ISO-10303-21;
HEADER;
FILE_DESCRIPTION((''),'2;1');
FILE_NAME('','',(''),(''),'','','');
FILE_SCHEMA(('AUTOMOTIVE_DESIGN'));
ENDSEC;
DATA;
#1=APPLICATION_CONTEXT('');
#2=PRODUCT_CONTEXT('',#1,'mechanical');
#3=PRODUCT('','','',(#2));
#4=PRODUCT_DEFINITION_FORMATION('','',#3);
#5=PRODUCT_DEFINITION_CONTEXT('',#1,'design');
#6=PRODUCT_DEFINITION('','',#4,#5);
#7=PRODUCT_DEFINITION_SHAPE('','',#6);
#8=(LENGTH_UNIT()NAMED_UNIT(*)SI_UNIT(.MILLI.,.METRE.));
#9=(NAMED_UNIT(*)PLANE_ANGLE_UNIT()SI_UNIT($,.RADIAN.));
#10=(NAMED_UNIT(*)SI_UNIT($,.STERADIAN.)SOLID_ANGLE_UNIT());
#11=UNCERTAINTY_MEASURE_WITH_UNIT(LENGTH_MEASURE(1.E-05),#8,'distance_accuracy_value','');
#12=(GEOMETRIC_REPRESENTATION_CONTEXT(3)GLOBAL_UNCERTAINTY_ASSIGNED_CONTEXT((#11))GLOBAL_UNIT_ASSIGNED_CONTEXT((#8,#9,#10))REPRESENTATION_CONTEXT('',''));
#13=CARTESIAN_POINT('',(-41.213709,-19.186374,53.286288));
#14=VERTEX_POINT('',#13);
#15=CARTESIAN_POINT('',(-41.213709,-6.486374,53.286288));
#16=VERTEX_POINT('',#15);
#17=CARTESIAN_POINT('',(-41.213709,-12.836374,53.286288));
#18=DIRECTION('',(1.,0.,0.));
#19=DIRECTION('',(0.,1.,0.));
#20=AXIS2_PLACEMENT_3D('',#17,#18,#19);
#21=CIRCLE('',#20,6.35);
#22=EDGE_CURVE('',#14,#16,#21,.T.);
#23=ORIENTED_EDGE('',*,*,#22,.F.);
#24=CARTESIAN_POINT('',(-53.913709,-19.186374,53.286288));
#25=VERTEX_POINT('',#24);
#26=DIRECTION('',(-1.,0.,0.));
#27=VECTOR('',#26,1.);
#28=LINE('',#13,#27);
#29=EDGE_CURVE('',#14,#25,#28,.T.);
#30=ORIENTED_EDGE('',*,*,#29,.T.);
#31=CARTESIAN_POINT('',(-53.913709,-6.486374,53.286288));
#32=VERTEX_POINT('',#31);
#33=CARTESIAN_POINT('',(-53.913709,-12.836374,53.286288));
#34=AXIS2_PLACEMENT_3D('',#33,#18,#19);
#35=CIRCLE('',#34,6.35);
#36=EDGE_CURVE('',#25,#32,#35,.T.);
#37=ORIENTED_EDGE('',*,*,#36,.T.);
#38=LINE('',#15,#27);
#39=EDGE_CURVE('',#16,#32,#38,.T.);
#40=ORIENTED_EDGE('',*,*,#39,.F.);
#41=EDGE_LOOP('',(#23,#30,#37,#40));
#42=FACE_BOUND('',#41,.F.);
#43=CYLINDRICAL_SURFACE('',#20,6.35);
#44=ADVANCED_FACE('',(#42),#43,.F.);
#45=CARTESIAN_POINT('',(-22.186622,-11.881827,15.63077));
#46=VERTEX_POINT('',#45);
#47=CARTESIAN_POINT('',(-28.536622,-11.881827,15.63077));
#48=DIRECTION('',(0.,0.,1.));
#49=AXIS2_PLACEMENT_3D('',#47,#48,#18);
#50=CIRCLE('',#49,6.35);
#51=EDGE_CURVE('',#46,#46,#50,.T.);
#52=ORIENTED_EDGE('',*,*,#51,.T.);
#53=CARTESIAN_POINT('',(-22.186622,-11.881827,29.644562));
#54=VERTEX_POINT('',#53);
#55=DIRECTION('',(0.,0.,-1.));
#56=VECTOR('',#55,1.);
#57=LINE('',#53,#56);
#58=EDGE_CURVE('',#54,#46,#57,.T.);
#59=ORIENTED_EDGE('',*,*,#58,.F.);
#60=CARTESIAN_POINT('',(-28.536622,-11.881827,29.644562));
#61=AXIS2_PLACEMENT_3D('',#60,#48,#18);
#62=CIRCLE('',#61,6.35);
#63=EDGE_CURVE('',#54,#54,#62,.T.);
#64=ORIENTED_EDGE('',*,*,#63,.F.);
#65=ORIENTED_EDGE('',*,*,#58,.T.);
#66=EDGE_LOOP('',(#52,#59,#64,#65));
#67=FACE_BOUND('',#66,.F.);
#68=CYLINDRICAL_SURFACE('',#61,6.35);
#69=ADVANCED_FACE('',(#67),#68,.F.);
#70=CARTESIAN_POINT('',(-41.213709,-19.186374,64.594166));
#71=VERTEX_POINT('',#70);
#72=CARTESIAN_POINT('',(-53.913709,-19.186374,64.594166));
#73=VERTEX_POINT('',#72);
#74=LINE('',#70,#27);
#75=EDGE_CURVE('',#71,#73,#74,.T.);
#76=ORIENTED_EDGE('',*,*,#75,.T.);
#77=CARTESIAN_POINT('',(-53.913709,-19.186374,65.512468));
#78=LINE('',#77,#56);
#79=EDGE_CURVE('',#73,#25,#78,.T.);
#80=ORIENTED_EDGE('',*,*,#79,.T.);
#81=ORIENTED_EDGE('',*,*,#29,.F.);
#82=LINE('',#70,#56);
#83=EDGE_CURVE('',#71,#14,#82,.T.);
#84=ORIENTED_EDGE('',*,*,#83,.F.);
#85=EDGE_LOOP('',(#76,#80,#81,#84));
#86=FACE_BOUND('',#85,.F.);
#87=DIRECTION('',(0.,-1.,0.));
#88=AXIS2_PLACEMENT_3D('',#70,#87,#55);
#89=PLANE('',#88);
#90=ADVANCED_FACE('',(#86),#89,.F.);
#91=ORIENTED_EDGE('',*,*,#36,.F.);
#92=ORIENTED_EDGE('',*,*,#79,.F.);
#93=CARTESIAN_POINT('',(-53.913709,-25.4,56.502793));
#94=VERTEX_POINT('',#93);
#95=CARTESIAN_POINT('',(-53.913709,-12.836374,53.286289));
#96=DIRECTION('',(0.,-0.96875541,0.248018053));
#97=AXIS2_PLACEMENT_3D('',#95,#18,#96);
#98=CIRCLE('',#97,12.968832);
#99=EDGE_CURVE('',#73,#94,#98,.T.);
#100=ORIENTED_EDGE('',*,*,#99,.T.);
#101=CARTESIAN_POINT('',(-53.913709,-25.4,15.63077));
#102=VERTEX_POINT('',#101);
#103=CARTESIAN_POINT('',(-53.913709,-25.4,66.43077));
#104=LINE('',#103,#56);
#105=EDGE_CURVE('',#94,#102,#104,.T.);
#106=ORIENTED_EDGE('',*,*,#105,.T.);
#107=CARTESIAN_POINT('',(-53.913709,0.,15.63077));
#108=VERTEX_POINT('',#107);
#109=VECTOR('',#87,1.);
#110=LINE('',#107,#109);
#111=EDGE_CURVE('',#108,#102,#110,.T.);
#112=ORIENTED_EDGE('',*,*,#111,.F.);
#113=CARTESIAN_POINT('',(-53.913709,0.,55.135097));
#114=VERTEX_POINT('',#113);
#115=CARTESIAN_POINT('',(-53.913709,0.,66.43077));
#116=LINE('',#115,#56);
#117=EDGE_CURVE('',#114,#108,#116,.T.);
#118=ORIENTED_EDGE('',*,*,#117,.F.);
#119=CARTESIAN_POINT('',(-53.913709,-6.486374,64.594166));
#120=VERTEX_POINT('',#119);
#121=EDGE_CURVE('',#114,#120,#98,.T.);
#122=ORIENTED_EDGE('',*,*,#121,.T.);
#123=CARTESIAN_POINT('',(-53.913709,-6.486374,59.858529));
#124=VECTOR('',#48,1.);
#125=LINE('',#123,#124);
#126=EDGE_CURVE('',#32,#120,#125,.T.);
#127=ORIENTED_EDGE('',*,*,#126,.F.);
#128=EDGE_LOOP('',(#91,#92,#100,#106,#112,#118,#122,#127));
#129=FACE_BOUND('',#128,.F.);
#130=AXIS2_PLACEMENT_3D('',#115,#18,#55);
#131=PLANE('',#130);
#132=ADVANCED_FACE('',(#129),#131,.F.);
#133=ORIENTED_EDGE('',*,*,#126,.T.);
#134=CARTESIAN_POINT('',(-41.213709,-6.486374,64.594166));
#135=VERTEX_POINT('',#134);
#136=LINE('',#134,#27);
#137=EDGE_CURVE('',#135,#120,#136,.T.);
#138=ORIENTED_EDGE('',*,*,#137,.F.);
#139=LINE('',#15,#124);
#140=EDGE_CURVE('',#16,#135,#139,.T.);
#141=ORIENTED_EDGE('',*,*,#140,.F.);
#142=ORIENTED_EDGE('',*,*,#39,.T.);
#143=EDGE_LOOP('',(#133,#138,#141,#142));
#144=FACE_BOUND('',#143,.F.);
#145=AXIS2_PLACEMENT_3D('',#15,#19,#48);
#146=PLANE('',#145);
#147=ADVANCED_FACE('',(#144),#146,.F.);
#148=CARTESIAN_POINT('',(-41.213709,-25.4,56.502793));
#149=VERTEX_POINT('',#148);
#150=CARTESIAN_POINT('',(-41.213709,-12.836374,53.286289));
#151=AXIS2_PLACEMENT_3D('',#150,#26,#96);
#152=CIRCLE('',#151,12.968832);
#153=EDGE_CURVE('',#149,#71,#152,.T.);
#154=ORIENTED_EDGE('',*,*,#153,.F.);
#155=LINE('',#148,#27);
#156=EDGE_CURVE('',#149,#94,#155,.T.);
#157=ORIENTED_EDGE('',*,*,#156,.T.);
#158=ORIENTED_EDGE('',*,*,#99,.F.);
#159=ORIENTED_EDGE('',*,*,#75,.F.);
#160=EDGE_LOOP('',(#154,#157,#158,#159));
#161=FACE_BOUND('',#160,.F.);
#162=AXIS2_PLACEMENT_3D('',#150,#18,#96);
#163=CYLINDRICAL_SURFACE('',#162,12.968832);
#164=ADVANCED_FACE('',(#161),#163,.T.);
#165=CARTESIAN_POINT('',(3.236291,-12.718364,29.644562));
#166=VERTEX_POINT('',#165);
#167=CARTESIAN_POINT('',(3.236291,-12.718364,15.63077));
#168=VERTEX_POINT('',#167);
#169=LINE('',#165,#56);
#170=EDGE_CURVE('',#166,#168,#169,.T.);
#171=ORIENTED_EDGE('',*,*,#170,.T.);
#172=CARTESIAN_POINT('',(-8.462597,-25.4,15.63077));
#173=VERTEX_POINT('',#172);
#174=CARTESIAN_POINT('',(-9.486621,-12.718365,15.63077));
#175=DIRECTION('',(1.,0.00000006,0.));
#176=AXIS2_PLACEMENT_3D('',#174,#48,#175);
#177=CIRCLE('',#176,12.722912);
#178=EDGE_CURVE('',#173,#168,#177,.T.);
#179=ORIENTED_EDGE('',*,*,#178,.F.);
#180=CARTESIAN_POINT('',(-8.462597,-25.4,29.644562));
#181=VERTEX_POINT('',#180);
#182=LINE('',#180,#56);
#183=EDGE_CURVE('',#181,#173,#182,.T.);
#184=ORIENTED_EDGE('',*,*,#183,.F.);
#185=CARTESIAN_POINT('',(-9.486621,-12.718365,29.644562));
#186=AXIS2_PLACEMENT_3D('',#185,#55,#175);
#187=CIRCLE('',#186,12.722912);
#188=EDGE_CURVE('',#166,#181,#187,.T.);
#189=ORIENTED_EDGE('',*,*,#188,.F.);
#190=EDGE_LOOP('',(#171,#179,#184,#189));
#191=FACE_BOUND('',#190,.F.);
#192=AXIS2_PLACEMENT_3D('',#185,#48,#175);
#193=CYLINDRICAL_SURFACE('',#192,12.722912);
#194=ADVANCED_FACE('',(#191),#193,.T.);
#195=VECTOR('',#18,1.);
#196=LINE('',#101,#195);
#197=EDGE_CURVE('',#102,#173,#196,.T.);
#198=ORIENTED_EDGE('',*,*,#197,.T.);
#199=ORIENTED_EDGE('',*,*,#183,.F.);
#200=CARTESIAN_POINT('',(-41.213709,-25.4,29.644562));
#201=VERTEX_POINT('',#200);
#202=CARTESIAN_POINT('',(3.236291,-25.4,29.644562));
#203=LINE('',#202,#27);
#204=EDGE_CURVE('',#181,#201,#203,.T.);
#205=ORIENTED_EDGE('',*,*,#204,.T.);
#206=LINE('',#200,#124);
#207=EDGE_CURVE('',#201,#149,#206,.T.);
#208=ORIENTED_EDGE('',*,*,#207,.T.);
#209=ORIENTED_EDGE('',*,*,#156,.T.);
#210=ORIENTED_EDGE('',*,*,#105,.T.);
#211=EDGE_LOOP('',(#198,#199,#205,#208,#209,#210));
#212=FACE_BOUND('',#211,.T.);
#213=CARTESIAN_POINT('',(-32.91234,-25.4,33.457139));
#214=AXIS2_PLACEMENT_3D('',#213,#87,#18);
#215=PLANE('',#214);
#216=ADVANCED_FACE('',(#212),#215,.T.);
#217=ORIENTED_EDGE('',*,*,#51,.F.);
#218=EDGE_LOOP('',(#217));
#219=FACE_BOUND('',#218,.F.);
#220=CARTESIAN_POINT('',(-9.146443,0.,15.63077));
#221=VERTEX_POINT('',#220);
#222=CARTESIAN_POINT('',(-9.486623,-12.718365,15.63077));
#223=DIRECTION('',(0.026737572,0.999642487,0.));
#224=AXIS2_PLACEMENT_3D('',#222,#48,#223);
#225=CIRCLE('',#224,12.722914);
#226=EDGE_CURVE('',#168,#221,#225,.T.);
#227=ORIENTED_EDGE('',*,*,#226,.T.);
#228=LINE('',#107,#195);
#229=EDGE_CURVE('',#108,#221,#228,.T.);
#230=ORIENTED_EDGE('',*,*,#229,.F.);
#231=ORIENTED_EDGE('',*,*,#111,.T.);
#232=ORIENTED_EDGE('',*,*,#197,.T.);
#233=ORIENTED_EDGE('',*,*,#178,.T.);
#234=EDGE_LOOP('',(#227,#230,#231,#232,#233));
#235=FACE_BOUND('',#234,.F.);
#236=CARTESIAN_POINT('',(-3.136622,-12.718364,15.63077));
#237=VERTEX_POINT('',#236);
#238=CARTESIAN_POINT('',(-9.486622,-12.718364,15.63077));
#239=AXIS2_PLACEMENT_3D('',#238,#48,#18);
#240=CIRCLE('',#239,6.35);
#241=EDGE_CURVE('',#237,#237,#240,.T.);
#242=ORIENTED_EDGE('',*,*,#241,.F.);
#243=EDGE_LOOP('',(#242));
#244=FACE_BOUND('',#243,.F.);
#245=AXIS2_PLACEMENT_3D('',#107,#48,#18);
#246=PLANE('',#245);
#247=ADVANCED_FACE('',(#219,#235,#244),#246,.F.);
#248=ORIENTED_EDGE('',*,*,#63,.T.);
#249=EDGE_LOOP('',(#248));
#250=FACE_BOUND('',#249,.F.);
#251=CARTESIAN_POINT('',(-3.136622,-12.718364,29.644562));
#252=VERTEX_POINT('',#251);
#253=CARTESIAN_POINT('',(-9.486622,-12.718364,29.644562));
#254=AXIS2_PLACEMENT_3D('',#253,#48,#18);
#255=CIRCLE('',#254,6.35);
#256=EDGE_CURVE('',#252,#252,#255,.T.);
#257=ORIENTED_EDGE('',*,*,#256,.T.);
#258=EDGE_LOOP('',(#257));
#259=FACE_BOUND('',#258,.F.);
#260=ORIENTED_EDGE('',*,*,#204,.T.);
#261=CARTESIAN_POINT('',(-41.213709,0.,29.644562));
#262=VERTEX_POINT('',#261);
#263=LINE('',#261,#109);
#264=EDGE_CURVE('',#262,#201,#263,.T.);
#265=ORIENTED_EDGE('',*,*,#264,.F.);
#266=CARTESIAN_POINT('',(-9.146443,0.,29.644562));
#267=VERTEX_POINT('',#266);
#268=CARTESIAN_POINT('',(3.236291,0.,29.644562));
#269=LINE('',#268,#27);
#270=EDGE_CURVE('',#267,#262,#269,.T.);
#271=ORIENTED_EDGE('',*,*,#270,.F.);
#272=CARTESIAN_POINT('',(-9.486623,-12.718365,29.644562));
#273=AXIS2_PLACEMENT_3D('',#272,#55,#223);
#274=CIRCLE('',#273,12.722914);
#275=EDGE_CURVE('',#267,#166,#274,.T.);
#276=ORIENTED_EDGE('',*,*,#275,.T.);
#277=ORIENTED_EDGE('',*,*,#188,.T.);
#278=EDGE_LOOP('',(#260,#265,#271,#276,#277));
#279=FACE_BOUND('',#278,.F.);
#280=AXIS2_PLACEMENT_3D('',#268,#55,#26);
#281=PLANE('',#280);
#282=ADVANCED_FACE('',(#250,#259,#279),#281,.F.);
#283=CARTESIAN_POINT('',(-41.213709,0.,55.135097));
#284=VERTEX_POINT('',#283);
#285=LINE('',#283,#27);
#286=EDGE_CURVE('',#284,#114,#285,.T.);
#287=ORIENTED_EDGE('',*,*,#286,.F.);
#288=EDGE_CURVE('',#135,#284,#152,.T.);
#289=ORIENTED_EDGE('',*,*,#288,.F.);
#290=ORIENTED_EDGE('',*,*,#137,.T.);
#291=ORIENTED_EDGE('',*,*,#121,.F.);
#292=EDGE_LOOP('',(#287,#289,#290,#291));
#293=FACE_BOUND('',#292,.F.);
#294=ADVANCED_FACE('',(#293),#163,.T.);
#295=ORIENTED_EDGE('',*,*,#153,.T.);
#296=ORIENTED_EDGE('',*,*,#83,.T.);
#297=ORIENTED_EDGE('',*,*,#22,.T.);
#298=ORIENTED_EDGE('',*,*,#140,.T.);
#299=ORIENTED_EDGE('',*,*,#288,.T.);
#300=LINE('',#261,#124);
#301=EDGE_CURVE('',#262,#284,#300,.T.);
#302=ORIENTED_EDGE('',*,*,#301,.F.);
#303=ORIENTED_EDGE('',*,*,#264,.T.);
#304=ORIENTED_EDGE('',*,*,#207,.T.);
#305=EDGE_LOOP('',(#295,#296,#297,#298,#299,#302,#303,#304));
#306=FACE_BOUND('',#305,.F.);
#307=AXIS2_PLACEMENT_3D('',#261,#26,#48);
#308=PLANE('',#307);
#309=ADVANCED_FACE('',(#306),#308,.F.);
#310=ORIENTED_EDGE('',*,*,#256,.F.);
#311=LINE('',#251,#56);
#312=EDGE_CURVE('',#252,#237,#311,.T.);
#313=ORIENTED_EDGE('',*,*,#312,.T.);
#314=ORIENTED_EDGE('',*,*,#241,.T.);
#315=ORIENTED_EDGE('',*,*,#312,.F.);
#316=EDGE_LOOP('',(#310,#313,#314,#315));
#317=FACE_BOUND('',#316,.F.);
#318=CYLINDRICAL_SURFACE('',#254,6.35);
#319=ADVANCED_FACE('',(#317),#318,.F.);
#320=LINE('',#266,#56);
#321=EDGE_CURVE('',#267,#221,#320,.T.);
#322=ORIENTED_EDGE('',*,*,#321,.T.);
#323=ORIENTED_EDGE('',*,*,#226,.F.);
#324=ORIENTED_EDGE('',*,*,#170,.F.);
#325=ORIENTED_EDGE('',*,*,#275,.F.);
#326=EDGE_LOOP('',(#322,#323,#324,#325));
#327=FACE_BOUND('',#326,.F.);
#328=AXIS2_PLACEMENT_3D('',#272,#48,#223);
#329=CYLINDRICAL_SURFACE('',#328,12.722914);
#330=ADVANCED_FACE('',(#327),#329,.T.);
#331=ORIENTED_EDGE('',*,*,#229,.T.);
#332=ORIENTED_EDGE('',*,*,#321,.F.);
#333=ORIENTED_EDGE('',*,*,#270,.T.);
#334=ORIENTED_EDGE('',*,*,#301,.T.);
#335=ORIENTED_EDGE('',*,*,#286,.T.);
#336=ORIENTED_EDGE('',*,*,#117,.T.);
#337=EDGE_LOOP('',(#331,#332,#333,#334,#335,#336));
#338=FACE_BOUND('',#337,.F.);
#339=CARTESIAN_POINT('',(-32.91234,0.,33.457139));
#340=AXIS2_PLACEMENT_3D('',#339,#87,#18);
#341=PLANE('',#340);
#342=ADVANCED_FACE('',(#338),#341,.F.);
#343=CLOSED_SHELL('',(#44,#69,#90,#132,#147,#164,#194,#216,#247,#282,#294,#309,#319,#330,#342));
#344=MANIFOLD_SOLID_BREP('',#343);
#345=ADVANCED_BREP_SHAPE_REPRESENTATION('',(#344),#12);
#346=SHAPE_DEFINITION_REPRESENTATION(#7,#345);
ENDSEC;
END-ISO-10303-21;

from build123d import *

# Parameters (mm, degrees)
F1_DEPTH = 25.4
F3_DEPTH = 12.701
F5_DEPTH = 14.014792
F6_R     = 6.35
F7_DEPTH = 14.014792
F9_DEPTH = 12.701


with BuildPart() as f1:
    # F0 (on Front) → F1 (new body)
    with BuildSketch(Plane.XZ):
        Polygon((-41.213709, 66.43077), (-53.913709, 66.43077), (-53.913709, 15.63077), (3.236291, 15.63077), (3.236291, 29.644562), (-41.213709, 29.644562), align=None)
    extrude(amount=F1_DEPTH)

    # F2 (on face) → F3 (cut, through all)
    with BuildSketch(Plane.YZ.offset(-41.213709)):
        with BuildLine():
            ThreePointArc((-25.4, 56.502793), (-12.139061, 66.23636), (0, 55.135097))
            Line((0, 55.135097), (0, 66.43077))
            Line((0, 66.43077), (-25.4, 66.43077))
            Line((-25.4, 66.43077), (-25.4, 56.502793))
        make_face()
    extrude(amount=-F3_DEPTH, mode=Mode.SUBTRACT)

    # F4 (on face) → F5 (cut, through all)
    with BuildSketch(Plane.XY.offset(29.644562)):
        with BuildLine():
            ThreePointArc((-9.146443, 0), (-0.370686, -3.842993), (3.236291, -12.718364))
            Line((3.236291, -12.718364), (3.236291, 0))
            Line((3.236291, 0), (-9.146443, 0))
        make_face()
        with BuildLine():
            ThreePointArc((3.236291, -12.718364), (-0.135122, -21.345181), (-8.462597, -25.4))
            Line((-8.462597, -25.4), (3.236291, -25.4))
            Line((3.236291, -25.4), (3.236291, -12.718364))
        make_face()
    extrude(amount=-F5_DEPTH, mode=Mode.SUBTRACT)

    # F6 (on face) → F7 (cut, through all)
    with BuildSketch(Plane.XY.offset(29.644562)):
        with Locations((-28.536622, -11.881827)):
            Circle(F6_R)
        with Locations((-9.486622, -12.718364)):
            Circle(F6_R)
    extrude(amount=-F7_DEPTH, mode=Mode.SUBTRACT)

    # F8 (on face) → F9 (cut, through all)
    with BuildSketch(Plane.YZ.offset(-41.213709)):
        with BuildLine():
            ThreePointArc((-19.186374, 53.286288), (-12.836374, 59.636288), (-6.486374, 53.286288))
            Line((-6.486374, 53.286288), (-6.486374, 64.594166))
            ThreePointArc((-6.486374, 64.594166), (-12.836374, 66.25512), (-19.186374, 64.594166))
            Line((-19.186374, 64.594166), (-19.186374, 53.286288))
        make_face()
        with BuildLine():
            ThreePointArc((-19.186374, 53.286288), (-12.836374, 46.936288), (-6.486374, 53.286288))
            ThreePointArc((-6.486374, 53.286288), (-12.836374, 59.636288), (-19.186374, 53.286288))
        make_face()
    extrude(amount=-F9_DEPTH, mode=Mode.SUBTRACT)


solid = f1.part
